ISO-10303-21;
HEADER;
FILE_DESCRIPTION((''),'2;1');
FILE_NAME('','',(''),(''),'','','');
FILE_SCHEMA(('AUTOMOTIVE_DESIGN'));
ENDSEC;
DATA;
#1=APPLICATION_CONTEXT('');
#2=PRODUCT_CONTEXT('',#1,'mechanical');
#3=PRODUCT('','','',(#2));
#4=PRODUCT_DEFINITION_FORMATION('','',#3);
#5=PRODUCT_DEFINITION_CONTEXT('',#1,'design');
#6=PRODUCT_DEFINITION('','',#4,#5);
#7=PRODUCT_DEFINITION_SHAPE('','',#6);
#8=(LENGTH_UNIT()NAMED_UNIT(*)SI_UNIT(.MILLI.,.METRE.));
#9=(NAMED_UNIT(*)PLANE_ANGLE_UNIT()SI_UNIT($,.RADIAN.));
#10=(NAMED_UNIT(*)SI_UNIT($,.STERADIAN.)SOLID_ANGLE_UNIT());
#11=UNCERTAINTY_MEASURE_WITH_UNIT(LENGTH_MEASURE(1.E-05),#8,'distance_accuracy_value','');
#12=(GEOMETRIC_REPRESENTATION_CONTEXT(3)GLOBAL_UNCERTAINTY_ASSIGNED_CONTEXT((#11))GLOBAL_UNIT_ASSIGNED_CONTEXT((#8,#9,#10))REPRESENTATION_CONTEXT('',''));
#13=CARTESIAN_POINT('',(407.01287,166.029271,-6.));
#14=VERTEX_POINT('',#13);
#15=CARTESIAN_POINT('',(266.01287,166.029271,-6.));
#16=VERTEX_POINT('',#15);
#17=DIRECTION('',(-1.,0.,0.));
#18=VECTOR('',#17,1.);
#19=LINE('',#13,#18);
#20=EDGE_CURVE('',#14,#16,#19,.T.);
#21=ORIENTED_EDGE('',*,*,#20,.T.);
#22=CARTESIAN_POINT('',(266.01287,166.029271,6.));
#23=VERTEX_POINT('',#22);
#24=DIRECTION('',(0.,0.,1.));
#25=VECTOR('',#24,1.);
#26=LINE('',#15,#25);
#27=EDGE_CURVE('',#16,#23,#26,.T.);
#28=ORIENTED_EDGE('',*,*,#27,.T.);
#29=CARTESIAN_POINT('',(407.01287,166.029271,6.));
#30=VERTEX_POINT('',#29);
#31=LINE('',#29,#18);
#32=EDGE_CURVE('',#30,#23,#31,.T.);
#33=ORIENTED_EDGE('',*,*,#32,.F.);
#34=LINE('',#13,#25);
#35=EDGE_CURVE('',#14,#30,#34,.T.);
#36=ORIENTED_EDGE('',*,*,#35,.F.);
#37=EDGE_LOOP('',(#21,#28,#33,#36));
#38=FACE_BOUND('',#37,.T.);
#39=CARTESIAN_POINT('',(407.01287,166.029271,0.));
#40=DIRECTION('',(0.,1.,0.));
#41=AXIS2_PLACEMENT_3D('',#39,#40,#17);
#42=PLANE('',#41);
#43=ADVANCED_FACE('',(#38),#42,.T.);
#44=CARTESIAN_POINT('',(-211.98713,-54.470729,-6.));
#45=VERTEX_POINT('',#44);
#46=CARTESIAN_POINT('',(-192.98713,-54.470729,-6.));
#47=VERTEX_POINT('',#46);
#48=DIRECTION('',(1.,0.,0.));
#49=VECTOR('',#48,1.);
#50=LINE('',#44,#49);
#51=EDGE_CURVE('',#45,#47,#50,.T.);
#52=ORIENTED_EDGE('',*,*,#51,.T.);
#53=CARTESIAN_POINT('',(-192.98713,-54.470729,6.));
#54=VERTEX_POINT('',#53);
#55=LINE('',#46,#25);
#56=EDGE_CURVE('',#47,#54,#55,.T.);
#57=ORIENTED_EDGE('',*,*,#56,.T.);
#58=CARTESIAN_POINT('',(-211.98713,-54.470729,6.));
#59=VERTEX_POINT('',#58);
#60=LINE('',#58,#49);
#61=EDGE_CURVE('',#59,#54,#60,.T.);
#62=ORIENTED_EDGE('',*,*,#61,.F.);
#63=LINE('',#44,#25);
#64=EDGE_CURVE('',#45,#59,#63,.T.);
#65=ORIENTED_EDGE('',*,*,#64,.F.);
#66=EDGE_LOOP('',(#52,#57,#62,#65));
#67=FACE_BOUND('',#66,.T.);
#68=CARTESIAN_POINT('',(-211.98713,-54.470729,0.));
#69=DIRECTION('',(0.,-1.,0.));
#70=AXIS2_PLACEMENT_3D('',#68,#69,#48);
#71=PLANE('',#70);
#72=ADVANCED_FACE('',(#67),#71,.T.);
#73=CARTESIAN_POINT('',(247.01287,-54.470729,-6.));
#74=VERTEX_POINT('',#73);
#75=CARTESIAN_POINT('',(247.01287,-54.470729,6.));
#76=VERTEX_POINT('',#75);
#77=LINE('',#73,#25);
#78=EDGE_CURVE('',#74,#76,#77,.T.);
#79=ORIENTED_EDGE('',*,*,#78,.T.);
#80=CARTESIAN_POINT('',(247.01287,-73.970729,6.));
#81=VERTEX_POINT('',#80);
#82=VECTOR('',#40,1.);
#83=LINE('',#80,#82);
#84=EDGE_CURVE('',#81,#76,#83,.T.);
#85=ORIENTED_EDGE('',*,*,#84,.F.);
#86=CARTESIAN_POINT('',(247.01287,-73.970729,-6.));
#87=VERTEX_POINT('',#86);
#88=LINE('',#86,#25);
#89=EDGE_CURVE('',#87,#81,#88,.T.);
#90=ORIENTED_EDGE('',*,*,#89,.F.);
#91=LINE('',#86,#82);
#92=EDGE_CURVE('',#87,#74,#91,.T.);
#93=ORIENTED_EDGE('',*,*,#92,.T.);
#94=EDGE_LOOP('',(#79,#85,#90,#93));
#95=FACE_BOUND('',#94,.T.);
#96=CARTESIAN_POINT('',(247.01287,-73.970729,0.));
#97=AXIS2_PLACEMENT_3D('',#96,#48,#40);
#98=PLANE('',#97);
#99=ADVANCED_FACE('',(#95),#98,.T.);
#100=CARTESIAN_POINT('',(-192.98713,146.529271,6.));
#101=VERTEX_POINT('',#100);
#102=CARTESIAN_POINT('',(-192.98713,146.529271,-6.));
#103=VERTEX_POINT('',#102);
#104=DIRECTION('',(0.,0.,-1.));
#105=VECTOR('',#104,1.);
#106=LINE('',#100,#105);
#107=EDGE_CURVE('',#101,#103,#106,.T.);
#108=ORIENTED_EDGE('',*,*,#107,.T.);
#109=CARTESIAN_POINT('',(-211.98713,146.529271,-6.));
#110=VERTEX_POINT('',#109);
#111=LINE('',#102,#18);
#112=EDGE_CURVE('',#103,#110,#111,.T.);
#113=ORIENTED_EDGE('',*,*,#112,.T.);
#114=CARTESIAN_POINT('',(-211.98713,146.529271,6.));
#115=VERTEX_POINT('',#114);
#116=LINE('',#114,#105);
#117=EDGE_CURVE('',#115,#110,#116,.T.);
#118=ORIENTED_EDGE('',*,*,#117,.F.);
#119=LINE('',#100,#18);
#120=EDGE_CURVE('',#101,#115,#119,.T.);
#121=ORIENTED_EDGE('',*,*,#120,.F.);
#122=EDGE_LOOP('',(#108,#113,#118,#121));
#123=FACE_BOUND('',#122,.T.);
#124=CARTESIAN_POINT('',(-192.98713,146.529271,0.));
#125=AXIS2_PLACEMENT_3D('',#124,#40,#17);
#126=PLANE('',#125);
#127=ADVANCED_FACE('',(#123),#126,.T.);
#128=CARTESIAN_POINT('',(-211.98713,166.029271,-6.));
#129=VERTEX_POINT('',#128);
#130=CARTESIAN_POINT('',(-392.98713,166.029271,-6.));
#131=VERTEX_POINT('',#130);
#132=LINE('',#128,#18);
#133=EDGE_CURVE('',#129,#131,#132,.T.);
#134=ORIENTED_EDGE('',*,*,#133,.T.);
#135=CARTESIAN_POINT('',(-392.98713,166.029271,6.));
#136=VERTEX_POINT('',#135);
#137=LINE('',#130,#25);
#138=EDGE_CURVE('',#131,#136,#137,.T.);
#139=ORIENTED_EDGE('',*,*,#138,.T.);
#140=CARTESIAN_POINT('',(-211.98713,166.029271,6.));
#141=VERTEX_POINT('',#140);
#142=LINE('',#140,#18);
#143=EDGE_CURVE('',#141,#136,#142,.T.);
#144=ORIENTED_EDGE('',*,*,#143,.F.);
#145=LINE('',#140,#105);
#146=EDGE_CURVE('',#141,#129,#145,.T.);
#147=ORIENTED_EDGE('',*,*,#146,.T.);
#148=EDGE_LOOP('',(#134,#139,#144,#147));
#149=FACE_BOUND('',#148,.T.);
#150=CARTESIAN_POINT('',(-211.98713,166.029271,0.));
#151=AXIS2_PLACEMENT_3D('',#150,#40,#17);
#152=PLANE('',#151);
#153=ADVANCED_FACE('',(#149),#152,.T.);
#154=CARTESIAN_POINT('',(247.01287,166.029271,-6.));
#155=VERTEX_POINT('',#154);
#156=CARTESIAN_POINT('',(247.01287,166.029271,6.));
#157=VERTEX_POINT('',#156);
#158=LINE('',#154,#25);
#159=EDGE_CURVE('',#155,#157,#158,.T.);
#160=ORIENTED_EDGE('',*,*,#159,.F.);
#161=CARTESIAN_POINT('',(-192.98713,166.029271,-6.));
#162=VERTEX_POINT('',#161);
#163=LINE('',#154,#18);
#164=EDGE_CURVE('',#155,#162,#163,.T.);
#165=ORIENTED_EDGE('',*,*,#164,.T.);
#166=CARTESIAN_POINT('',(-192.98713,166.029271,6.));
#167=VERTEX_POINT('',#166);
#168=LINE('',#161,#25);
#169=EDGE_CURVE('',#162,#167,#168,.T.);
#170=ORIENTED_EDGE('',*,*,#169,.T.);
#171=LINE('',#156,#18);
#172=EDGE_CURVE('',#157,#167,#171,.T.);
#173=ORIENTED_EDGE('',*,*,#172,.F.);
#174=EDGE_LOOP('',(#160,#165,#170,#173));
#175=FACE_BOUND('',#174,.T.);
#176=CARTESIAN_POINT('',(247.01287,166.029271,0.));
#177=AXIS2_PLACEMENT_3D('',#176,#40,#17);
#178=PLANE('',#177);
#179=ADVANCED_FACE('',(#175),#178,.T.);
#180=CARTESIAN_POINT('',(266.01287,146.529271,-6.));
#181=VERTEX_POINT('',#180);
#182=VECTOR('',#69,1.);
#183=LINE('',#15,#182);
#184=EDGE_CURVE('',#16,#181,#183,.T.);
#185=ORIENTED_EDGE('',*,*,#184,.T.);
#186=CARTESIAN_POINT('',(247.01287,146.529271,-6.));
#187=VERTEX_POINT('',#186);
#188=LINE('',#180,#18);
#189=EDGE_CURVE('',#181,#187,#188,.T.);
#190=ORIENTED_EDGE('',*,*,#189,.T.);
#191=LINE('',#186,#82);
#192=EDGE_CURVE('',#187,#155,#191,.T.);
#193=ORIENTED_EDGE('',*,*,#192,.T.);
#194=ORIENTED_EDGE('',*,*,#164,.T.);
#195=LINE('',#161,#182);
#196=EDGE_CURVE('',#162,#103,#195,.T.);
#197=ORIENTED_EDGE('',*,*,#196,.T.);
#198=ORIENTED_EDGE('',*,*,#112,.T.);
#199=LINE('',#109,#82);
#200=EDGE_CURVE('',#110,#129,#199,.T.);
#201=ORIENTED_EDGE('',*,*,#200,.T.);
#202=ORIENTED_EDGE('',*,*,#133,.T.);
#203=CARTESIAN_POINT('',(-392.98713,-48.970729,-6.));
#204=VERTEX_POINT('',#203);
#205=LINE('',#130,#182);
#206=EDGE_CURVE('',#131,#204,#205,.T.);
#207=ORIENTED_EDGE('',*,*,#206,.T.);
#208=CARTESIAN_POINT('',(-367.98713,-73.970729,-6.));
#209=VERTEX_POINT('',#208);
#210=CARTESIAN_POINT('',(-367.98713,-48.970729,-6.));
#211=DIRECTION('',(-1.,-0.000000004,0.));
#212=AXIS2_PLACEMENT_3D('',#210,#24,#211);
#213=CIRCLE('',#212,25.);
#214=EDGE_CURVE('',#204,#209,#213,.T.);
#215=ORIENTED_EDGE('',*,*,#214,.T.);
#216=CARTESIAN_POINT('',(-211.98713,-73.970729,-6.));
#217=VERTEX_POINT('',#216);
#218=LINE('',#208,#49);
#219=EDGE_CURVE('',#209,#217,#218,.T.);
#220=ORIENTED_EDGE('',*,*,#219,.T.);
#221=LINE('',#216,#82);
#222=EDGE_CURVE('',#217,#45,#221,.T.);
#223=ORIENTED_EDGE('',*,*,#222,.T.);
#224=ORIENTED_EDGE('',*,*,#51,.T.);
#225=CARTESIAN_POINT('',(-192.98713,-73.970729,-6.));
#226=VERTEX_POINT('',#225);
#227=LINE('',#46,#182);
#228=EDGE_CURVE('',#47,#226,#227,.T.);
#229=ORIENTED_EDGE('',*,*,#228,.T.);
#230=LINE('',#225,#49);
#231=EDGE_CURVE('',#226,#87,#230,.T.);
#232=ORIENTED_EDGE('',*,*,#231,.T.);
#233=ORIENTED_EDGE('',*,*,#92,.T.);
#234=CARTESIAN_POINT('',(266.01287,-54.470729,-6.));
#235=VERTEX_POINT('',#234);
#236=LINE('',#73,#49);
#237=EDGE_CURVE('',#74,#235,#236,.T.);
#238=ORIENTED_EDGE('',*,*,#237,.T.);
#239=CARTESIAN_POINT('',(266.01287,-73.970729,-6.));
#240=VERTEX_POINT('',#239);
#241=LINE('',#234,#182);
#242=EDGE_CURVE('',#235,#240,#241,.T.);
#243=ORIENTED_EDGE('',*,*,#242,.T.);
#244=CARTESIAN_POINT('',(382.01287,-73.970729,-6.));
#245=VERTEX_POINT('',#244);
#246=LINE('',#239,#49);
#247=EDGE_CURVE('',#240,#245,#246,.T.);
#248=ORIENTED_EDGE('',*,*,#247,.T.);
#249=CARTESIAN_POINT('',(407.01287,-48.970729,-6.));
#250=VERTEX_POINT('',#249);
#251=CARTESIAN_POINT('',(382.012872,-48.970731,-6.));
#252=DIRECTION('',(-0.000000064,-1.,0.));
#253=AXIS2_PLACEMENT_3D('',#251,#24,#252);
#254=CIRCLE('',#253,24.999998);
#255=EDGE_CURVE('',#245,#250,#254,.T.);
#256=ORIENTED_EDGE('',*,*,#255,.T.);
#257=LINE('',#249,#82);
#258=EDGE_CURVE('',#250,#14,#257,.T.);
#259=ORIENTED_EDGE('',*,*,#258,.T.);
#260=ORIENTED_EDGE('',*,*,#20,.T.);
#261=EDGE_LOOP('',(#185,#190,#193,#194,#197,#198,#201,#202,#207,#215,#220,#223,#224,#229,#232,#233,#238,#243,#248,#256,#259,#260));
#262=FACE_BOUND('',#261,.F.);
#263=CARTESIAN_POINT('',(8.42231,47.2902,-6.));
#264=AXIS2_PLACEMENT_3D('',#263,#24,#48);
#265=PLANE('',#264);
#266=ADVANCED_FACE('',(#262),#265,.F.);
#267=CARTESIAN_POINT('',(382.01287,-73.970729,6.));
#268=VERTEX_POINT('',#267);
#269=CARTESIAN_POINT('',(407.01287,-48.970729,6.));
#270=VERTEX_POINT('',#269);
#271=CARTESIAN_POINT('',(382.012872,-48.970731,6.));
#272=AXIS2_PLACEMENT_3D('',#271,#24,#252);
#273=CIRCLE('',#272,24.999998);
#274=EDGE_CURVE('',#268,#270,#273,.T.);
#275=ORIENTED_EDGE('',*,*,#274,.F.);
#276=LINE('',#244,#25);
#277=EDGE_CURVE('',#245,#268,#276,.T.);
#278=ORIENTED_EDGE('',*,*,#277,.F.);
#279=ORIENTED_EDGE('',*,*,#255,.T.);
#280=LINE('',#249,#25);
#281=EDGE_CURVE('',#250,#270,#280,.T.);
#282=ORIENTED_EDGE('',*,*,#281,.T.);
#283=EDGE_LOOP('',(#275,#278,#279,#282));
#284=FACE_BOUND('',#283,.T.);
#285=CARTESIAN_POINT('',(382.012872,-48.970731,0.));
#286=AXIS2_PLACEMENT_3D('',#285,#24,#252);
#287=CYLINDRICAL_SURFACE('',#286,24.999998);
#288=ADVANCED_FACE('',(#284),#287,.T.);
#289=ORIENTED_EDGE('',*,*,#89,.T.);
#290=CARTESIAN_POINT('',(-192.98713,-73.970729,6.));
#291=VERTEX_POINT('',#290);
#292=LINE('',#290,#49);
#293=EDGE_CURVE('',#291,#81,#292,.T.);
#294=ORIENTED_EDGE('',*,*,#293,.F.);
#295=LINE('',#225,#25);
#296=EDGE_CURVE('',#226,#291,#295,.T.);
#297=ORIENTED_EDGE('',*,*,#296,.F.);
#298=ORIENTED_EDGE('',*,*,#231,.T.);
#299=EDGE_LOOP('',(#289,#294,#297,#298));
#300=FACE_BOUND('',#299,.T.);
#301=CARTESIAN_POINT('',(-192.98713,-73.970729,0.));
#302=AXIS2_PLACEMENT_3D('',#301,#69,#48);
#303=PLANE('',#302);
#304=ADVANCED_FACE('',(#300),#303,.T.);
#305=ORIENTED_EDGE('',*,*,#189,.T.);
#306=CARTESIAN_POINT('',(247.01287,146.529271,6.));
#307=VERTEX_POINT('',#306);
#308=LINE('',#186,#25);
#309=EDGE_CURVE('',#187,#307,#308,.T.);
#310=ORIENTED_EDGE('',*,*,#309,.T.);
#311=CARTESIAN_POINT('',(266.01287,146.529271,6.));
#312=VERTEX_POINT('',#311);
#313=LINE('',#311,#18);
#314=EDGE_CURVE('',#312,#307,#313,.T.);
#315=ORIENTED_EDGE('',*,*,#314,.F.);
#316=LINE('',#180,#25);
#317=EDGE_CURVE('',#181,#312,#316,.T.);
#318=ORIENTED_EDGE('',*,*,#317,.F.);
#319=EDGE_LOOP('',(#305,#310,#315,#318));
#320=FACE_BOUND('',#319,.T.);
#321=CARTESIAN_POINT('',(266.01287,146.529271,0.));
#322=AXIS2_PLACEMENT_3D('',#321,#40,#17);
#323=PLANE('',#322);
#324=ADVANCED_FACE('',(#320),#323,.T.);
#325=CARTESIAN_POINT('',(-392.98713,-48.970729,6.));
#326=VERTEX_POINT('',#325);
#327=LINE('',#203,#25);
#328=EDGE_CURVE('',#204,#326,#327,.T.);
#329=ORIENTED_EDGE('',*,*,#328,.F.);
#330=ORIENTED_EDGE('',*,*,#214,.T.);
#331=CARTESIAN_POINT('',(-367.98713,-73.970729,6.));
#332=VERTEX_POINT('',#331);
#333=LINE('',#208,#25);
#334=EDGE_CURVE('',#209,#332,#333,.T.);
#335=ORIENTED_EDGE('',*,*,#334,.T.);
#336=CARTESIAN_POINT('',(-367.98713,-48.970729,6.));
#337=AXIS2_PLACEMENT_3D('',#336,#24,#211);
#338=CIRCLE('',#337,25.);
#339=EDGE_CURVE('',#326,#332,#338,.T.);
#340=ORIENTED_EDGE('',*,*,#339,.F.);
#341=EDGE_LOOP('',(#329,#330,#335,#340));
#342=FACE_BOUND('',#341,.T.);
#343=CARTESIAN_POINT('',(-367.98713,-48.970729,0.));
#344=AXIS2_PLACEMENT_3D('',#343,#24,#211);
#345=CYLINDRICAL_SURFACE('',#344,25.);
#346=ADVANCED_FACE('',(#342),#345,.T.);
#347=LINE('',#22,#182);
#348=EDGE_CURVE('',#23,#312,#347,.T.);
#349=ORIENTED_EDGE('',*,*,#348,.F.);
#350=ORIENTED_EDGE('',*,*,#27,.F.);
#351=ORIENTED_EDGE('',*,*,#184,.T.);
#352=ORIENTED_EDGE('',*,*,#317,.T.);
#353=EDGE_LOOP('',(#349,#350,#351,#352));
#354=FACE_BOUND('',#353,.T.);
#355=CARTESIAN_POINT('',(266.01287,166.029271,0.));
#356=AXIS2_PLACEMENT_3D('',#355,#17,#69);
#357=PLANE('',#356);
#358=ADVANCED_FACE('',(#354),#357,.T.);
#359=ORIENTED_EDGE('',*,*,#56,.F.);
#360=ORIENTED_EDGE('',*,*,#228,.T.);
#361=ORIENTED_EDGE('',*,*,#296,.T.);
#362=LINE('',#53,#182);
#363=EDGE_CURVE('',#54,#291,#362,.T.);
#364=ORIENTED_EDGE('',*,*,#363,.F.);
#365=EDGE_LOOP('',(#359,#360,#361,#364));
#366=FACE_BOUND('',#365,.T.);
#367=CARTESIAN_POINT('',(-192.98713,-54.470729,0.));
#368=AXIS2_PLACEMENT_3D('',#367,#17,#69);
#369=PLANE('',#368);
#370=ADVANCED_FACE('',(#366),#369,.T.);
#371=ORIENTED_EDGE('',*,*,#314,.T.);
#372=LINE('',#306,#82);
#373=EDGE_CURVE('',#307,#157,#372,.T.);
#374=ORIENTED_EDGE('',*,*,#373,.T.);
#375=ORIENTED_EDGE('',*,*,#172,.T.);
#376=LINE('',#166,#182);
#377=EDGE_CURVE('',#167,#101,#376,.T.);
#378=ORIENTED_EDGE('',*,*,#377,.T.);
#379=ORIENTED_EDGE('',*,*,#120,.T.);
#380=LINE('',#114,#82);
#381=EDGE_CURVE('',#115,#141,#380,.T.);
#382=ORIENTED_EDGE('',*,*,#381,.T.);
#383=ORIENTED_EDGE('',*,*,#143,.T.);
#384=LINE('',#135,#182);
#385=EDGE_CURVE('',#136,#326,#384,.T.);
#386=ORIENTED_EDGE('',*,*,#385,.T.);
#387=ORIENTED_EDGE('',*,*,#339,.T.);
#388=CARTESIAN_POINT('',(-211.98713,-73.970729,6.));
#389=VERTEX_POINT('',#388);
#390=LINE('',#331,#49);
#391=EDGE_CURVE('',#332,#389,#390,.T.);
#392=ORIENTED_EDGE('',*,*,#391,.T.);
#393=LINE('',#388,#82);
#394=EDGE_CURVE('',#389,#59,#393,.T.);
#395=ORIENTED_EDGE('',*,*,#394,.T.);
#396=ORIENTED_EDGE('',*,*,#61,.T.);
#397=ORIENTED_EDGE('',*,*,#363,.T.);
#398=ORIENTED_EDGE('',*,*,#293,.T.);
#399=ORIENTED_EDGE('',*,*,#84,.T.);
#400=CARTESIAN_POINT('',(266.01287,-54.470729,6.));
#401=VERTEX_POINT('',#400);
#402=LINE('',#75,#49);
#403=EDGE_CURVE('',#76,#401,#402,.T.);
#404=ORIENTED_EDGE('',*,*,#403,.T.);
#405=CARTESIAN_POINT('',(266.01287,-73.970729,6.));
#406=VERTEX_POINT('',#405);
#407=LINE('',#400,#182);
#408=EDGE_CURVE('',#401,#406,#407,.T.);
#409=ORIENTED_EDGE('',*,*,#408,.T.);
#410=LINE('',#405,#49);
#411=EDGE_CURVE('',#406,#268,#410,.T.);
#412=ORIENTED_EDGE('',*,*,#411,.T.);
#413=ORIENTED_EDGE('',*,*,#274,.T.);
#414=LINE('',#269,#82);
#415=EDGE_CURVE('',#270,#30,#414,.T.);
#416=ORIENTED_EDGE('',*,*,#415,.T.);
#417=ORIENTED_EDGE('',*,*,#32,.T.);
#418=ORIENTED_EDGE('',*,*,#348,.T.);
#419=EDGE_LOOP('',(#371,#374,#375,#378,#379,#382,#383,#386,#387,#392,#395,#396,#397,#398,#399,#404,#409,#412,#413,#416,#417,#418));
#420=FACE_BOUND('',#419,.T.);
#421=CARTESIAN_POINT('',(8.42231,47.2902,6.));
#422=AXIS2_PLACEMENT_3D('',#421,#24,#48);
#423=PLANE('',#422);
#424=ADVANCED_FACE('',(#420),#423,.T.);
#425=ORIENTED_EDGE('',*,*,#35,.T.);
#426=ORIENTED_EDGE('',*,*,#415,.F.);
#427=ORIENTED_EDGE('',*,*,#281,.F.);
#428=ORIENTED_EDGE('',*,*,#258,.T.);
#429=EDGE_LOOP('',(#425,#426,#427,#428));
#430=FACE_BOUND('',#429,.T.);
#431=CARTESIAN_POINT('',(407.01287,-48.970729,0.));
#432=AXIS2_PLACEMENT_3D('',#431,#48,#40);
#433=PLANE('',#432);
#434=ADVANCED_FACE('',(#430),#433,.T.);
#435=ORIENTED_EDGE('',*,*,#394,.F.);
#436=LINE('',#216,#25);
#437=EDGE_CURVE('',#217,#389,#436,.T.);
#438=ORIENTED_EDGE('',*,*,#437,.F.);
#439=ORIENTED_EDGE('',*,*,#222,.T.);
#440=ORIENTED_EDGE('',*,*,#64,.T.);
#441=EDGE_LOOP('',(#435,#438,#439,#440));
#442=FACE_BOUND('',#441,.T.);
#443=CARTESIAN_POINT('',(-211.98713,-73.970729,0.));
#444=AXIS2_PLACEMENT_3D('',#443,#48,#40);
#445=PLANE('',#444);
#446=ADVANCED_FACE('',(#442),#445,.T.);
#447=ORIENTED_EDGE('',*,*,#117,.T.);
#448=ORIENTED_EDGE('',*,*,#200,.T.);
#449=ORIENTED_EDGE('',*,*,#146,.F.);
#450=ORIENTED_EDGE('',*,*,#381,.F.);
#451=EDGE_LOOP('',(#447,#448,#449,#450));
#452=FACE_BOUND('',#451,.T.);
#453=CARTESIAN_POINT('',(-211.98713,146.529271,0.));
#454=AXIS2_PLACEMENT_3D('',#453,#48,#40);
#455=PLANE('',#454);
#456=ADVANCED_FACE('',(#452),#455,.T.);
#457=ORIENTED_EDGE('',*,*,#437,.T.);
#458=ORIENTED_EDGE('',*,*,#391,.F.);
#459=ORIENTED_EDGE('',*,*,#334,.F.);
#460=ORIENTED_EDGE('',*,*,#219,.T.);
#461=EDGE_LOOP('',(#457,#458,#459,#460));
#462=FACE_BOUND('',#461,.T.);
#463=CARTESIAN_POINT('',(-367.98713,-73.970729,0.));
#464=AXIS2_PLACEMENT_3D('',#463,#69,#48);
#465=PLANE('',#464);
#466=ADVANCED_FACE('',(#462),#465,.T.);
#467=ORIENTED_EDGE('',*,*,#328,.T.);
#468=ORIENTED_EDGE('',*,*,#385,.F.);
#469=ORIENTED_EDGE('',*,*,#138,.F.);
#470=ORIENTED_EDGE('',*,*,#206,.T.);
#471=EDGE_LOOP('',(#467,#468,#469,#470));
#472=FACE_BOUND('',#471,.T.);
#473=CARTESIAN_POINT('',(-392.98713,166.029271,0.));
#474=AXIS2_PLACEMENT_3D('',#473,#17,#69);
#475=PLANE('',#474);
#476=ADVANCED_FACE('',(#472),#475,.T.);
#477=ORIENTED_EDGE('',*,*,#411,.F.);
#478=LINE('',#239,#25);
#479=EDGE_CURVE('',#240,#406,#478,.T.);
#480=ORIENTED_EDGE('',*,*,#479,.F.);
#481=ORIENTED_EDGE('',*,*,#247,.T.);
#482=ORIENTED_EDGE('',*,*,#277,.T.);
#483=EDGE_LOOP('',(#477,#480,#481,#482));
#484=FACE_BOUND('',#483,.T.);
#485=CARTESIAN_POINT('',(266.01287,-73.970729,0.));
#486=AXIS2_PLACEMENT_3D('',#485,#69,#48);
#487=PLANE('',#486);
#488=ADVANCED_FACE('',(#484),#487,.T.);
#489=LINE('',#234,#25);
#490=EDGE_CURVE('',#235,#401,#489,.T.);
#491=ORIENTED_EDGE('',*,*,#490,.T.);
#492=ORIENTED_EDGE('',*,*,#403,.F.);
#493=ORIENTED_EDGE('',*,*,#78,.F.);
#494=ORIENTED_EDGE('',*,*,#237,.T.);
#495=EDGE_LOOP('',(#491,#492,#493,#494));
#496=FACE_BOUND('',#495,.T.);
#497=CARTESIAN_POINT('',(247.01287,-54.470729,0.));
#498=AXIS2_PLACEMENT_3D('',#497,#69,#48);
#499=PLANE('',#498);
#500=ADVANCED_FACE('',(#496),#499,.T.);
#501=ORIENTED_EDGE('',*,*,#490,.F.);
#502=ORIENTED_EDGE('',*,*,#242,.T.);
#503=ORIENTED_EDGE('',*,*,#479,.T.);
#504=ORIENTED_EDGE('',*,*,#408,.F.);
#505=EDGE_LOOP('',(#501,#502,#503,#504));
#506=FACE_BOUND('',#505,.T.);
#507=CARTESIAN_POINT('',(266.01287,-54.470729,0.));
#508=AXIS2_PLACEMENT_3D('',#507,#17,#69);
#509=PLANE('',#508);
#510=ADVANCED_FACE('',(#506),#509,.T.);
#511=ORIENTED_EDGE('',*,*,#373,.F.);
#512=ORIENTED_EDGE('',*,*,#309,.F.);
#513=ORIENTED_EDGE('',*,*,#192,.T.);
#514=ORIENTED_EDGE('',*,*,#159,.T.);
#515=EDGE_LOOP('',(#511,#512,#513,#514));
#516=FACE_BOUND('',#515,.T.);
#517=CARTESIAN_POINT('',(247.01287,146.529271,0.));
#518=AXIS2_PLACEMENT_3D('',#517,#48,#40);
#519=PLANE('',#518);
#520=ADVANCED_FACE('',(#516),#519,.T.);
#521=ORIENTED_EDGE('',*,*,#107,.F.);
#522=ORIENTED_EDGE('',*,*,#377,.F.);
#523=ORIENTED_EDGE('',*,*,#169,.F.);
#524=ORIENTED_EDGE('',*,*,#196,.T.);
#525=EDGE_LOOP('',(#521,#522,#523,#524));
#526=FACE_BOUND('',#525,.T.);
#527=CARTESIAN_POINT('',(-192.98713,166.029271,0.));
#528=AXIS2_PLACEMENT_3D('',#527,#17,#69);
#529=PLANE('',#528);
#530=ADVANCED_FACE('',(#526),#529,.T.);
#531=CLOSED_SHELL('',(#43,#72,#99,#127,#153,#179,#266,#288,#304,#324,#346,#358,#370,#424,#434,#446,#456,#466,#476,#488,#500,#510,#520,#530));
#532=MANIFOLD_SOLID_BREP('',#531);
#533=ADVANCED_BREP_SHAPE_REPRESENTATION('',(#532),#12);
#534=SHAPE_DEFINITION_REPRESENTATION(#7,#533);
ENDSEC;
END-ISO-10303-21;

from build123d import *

# Parameters (mm, degrees)
F1_DEPTH = 6


with BuildPart() as f1:
    # F0 (on Top) → F1 (new body, symmetric)
    with BuildSketch(Plane.XY):
        with BuildLine():
            Line((-211.98713, 166.029271), (-392.98713, 166.029271))
            Line((-392.98713, 166.029271), (-392.98713, -48.970729))
            ThreePointArc((-392.98713, -48.970729), (-385.664799, -66.648399), (-367.98713, -73.970729))
            Line((-367.98713, -73.970729), (-211.98713, -73.970729))
            Line((-211.98713, -73.970729), (-211.98713, -54.470729))
            Line((-211.98713, -54.470729), (-192.98713, -54.470729))
            Line((-192.98713, -54.470729), (-192.98713, -73.970729))
            Line((-192.98713, -73.970729), (247.01287, -73.970729))
            Line((247.01287, -73.970729), (247.01287, -54.470729))
            Line((247.01287, -54.470729), (266.01287, -54.470729))
            Line((266.01287, -54.470729), (266.01287, -73.970729))
            Line((266.01287, -73.970729), (382.01287, -73.970729))
            ThreePointArc((382.01287, -73.970729), (399.69054, -66.648399), (407.01287, -48.970729))
            Line((407.01287, -48.970729), (407.01287, 166.029271))
            Line((407.01287, 166.029271), (266.01287, 166.029271))
            Line((266.01287, 166.029271), (266.01287, 146.529271))
            Line((266.01287, 146.529271), (247.01287, 146.529271))
            Line((247.01287, 146.529271), (247.01287, 166.029271))
            Line((247.01287, 166.029271), (-192.98713, 166.029271))
            Line((-192.98713, 166.029271), (-192.98713, 146.529271))
            Line((-192.98713, 146.529271), (-211.98713, 146.529271))
            Line((-211.98713, 146.529271), (-211.98713, 166.029271))
        make_face()
    extrude(amount=F1_DEPTH, both=True)


solid = f1.part
